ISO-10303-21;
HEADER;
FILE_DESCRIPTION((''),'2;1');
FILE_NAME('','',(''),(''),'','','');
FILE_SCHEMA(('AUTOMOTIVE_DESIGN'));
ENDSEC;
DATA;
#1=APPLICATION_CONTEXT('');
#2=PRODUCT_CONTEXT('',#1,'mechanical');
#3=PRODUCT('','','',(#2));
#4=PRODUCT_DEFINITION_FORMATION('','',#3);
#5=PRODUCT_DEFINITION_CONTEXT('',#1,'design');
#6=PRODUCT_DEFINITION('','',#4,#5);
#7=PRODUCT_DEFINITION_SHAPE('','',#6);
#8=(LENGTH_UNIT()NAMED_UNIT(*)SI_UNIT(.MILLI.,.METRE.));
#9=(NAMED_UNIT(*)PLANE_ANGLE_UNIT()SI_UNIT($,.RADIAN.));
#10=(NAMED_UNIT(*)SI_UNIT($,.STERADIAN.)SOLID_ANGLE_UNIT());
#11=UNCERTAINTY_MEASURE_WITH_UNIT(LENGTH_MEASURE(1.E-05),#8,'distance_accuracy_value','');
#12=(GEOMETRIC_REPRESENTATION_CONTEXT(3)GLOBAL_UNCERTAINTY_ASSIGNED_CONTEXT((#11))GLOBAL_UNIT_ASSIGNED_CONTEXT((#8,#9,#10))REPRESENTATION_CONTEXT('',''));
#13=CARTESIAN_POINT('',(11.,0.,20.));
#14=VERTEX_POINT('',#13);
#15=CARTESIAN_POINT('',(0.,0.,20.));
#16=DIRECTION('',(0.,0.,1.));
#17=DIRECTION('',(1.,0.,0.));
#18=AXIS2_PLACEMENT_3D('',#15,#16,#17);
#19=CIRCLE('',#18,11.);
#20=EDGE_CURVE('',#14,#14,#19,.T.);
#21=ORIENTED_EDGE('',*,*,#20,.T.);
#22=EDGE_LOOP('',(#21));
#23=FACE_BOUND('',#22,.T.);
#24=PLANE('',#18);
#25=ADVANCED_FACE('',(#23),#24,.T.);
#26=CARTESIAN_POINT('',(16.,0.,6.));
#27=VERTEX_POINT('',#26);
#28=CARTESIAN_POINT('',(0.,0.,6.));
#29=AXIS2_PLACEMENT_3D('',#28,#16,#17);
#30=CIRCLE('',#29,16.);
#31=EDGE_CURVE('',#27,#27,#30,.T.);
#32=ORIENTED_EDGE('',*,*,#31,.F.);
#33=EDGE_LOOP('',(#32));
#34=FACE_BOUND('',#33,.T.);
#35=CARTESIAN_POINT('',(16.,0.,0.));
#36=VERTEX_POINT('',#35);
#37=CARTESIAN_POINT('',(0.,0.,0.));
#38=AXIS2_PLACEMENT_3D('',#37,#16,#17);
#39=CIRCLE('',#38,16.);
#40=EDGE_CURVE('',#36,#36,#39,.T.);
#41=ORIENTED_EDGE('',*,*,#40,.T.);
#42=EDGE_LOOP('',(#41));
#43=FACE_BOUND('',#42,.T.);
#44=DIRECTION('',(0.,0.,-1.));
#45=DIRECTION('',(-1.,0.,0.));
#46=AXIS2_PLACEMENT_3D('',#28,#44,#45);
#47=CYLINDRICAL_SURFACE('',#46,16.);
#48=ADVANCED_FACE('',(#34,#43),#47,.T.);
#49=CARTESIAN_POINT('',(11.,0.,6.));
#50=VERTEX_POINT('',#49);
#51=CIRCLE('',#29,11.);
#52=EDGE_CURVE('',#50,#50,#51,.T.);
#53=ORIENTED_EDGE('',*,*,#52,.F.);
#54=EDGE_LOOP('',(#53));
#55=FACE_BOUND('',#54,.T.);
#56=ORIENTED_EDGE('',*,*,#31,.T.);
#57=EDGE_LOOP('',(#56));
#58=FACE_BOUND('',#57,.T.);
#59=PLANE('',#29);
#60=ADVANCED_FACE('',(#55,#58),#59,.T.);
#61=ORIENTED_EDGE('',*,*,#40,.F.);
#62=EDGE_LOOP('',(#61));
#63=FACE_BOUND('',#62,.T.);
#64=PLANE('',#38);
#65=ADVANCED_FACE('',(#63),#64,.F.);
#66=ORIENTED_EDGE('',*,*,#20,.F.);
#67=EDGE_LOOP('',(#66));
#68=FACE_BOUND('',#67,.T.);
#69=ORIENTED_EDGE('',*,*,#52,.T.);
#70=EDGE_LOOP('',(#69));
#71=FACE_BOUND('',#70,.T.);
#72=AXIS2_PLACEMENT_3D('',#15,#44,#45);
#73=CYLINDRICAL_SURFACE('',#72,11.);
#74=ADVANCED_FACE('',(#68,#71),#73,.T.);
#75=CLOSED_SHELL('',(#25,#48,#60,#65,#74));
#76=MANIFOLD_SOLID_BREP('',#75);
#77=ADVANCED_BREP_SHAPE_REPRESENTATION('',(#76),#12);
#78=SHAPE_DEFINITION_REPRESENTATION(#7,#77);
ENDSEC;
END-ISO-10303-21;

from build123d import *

# Parameters (mm, degrees)
PLUG_SHAFT_SKETCH_R = 11
PLUG_SHAFT_DEPTH    = 20
PLUG_HEAD_SKETCH_R  = 16
PLUG_HEAD_DEPTH     = 6


with BuildPart() as part:
    # Plug Shaft Sketch → Plug Shaft (new body)
    with BuildSketch(Plane.XY):
        Circle(PLUG_SHAFT_SKETCH_R)
    extrude(amount=PLUG_SHAFT_DEPTH)

    # Plug Head Sketch → Plug Head (add)
    with BuildSketch(Plane.XY):
        Circle(PLUG_HEAD_SKETCH_R)
    extrude(amount=PLUG_HEAD_DEPTH)


solid = part.part
